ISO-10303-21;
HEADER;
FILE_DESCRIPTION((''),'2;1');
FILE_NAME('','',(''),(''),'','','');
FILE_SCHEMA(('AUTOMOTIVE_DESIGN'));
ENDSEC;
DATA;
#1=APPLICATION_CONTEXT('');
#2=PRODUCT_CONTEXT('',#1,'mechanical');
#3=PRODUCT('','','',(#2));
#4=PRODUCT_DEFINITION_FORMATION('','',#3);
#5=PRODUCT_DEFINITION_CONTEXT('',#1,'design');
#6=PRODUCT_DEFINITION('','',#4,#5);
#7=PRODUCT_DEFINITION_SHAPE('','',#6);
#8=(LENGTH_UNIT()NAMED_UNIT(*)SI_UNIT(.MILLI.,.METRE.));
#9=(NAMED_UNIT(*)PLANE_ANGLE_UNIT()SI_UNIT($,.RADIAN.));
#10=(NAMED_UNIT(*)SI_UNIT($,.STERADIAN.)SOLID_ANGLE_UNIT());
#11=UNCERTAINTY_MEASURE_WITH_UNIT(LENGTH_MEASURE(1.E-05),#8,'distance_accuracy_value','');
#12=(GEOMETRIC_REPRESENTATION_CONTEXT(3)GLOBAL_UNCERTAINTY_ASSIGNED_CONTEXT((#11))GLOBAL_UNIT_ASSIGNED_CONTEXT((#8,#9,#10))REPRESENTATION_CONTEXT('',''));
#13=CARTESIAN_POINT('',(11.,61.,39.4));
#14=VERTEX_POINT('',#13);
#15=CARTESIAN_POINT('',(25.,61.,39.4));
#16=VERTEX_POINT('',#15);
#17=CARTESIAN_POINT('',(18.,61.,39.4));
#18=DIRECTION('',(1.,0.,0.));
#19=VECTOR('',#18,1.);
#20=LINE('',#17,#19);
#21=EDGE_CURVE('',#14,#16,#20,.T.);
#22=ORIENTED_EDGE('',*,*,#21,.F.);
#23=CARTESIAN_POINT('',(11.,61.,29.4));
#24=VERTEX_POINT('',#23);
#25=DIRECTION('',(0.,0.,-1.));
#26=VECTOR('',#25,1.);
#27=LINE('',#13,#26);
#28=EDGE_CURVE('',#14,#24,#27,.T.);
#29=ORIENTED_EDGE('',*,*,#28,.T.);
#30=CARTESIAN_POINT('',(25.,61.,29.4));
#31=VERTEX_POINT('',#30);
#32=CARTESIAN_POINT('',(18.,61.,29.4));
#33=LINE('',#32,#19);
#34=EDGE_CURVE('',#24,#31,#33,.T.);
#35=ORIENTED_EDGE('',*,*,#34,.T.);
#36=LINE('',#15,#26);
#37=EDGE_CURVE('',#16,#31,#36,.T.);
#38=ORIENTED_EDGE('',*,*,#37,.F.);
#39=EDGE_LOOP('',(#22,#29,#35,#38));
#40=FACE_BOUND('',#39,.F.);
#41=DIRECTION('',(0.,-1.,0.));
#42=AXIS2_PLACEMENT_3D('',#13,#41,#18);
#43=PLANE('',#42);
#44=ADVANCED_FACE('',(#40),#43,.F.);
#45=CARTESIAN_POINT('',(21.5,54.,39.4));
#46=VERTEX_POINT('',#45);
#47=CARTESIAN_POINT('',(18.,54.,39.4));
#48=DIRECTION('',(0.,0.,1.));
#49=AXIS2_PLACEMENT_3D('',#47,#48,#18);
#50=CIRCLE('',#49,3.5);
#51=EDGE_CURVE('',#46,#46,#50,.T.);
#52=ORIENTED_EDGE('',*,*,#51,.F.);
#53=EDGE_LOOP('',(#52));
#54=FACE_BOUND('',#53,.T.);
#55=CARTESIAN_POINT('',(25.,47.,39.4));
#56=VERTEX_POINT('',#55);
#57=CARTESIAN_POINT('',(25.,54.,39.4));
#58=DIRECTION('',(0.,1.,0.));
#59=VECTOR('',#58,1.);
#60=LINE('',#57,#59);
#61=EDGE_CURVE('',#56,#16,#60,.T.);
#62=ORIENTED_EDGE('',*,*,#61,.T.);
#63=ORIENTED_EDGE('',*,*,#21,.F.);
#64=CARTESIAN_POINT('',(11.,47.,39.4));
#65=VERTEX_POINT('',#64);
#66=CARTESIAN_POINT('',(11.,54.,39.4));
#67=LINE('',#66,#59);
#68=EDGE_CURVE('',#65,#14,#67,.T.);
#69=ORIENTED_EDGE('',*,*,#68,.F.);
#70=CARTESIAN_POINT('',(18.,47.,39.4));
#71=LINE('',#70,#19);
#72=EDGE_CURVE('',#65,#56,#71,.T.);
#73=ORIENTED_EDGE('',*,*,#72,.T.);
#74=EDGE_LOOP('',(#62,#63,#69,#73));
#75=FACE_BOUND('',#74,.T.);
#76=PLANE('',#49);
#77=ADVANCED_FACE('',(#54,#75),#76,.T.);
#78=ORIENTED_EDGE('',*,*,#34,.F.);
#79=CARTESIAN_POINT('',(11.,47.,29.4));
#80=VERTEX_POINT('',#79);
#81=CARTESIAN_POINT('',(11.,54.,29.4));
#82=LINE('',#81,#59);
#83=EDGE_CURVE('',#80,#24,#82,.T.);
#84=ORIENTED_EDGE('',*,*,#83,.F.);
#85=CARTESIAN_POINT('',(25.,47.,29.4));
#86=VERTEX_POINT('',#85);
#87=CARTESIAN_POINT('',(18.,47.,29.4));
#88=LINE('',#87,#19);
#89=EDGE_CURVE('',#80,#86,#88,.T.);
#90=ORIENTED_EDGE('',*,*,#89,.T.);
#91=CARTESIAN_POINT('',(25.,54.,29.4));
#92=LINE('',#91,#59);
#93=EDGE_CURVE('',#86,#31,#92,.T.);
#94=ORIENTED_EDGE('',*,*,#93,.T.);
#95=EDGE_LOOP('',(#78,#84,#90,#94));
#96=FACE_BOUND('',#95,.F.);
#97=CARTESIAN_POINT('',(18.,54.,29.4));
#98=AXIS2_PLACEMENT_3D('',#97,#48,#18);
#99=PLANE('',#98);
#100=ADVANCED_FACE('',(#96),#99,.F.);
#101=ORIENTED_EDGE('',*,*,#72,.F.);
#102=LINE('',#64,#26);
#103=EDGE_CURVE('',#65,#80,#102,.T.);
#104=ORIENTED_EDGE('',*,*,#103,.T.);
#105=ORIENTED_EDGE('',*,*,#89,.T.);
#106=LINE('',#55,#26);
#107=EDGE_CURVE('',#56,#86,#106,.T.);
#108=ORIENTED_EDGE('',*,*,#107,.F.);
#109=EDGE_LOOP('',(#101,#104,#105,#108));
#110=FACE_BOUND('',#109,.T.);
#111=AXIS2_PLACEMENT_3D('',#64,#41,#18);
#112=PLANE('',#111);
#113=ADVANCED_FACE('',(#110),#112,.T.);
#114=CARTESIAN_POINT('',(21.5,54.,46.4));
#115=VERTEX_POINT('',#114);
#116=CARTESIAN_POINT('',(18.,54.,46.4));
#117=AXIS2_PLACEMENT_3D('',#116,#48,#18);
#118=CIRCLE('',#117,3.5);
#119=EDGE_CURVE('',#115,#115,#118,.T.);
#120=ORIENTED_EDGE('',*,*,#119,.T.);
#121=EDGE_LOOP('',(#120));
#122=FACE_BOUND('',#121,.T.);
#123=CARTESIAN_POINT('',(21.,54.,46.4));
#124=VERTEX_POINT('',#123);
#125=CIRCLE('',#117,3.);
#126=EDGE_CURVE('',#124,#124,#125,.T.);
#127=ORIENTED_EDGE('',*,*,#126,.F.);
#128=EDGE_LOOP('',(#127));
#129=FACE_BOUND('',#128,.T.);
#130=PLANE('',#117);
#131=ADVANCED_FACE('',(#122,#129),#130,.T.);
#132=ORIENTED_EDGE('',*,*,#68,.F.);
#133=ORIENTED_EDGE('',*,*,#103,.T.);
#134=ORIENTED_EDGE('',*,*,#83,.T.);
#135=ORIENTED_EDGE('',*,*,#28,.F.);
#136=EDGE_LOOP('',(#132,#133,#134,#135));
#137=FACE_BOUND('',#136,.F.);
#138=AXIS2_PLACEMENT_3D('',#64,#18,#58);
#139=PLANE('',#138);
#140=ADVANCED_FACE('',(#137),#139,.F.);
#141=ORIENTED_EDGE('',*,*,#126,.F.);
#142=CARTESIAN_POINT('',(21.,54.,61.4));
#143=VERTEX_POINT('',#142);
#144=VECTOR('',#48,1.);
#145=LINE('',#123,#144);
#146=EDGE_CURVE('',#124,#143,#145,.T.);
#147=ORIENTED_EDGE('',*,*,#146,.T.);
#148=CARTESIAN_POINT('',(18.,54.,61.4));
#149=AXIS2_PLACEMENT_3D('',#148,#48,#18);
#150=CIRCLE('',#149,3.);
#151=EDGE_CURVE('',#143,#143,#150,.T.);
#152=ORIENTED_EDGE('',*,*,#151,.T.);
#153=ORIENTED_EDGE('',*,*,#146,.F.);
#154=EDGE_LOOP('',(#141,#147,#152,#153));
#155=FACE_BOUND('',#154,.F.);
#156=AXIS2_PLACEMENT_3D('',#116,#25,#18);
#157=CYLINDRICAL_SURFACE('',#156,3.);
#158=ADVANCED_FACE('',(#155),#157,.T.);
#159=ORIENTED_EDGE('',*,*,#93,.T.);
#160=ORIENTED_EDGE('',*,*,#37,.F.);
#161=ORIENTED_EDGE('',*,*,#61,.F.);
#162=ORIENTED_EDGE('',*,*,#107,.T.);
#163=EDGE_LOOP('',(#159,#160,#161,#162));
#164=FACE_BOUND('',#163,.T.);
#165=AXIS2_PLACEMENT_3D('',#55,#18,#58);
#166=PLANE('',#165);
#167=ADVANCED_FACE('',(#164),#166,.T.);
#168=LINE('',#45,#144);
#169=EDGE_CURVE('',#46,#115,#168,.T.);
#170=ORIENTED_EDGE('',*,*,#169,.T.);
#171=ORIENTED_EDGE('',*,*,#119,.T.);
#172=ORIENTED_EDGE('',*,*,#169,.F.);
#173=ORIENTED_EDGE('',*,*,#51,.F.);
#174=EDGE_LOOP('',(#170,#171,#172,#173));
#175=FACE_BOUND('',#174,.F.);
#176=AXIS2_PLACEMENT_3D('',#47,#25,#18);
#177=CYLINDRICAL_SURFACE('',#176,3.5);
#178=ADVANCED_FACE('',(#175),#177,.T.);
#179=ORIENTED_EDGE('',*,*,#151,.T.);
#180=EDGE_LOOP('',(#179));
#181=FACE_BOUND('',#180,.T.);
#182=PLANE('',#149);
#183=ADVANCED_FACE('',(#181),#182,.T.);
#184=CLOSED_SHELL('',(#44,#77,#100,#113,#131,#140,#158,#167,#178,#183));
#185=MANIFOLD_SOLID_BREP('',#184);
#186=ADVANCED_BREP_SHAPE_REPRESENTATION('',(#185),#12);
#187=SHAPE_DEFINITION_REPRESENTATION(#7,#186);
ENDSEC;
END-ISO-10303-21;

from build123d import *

# Parameters (mm, degrees)
SKETCH029_W  = 14
SKETCH029_H  = 14
PAD014_DEPTH = 10
SKETCH030_R  = 3.5
PAD015_DEPTH = 7
SKETCH031_R  = 3
PAD016_DEPTH = 15


with BuildPart() as part:
    # Sketch029 → Pad014 (new body)
    with BuildSketch(Plane.XY):
        with Locations((7, 7)):
            Rectangle(SKETCH029_W, SKETCH029_H)
    extrude(amount=-PAD014_DEPTH)

    # Sketch030 → Pad015 (join)
    with BuildSketch(Plane.XY):
        with Locations((7, 7)):
            Circle(SKETCH030_R)
    extrude(amount=PAD015_DEPTH)

    # Sketch031 (on Face8 of Pad015) → Pad016 (join)
    with BuildSketch(Plane.XY.offset(7)):
        with Locations((7, 7)):
            Circle(SKETCH031_R)
    extrude(amount=PAD016_DEPTH)


with BuildPart() as part_1:
    # Body004 placement: moved
    add(part.part.moved(Location((11, 47, 39.4))))


solid = part_1.part
